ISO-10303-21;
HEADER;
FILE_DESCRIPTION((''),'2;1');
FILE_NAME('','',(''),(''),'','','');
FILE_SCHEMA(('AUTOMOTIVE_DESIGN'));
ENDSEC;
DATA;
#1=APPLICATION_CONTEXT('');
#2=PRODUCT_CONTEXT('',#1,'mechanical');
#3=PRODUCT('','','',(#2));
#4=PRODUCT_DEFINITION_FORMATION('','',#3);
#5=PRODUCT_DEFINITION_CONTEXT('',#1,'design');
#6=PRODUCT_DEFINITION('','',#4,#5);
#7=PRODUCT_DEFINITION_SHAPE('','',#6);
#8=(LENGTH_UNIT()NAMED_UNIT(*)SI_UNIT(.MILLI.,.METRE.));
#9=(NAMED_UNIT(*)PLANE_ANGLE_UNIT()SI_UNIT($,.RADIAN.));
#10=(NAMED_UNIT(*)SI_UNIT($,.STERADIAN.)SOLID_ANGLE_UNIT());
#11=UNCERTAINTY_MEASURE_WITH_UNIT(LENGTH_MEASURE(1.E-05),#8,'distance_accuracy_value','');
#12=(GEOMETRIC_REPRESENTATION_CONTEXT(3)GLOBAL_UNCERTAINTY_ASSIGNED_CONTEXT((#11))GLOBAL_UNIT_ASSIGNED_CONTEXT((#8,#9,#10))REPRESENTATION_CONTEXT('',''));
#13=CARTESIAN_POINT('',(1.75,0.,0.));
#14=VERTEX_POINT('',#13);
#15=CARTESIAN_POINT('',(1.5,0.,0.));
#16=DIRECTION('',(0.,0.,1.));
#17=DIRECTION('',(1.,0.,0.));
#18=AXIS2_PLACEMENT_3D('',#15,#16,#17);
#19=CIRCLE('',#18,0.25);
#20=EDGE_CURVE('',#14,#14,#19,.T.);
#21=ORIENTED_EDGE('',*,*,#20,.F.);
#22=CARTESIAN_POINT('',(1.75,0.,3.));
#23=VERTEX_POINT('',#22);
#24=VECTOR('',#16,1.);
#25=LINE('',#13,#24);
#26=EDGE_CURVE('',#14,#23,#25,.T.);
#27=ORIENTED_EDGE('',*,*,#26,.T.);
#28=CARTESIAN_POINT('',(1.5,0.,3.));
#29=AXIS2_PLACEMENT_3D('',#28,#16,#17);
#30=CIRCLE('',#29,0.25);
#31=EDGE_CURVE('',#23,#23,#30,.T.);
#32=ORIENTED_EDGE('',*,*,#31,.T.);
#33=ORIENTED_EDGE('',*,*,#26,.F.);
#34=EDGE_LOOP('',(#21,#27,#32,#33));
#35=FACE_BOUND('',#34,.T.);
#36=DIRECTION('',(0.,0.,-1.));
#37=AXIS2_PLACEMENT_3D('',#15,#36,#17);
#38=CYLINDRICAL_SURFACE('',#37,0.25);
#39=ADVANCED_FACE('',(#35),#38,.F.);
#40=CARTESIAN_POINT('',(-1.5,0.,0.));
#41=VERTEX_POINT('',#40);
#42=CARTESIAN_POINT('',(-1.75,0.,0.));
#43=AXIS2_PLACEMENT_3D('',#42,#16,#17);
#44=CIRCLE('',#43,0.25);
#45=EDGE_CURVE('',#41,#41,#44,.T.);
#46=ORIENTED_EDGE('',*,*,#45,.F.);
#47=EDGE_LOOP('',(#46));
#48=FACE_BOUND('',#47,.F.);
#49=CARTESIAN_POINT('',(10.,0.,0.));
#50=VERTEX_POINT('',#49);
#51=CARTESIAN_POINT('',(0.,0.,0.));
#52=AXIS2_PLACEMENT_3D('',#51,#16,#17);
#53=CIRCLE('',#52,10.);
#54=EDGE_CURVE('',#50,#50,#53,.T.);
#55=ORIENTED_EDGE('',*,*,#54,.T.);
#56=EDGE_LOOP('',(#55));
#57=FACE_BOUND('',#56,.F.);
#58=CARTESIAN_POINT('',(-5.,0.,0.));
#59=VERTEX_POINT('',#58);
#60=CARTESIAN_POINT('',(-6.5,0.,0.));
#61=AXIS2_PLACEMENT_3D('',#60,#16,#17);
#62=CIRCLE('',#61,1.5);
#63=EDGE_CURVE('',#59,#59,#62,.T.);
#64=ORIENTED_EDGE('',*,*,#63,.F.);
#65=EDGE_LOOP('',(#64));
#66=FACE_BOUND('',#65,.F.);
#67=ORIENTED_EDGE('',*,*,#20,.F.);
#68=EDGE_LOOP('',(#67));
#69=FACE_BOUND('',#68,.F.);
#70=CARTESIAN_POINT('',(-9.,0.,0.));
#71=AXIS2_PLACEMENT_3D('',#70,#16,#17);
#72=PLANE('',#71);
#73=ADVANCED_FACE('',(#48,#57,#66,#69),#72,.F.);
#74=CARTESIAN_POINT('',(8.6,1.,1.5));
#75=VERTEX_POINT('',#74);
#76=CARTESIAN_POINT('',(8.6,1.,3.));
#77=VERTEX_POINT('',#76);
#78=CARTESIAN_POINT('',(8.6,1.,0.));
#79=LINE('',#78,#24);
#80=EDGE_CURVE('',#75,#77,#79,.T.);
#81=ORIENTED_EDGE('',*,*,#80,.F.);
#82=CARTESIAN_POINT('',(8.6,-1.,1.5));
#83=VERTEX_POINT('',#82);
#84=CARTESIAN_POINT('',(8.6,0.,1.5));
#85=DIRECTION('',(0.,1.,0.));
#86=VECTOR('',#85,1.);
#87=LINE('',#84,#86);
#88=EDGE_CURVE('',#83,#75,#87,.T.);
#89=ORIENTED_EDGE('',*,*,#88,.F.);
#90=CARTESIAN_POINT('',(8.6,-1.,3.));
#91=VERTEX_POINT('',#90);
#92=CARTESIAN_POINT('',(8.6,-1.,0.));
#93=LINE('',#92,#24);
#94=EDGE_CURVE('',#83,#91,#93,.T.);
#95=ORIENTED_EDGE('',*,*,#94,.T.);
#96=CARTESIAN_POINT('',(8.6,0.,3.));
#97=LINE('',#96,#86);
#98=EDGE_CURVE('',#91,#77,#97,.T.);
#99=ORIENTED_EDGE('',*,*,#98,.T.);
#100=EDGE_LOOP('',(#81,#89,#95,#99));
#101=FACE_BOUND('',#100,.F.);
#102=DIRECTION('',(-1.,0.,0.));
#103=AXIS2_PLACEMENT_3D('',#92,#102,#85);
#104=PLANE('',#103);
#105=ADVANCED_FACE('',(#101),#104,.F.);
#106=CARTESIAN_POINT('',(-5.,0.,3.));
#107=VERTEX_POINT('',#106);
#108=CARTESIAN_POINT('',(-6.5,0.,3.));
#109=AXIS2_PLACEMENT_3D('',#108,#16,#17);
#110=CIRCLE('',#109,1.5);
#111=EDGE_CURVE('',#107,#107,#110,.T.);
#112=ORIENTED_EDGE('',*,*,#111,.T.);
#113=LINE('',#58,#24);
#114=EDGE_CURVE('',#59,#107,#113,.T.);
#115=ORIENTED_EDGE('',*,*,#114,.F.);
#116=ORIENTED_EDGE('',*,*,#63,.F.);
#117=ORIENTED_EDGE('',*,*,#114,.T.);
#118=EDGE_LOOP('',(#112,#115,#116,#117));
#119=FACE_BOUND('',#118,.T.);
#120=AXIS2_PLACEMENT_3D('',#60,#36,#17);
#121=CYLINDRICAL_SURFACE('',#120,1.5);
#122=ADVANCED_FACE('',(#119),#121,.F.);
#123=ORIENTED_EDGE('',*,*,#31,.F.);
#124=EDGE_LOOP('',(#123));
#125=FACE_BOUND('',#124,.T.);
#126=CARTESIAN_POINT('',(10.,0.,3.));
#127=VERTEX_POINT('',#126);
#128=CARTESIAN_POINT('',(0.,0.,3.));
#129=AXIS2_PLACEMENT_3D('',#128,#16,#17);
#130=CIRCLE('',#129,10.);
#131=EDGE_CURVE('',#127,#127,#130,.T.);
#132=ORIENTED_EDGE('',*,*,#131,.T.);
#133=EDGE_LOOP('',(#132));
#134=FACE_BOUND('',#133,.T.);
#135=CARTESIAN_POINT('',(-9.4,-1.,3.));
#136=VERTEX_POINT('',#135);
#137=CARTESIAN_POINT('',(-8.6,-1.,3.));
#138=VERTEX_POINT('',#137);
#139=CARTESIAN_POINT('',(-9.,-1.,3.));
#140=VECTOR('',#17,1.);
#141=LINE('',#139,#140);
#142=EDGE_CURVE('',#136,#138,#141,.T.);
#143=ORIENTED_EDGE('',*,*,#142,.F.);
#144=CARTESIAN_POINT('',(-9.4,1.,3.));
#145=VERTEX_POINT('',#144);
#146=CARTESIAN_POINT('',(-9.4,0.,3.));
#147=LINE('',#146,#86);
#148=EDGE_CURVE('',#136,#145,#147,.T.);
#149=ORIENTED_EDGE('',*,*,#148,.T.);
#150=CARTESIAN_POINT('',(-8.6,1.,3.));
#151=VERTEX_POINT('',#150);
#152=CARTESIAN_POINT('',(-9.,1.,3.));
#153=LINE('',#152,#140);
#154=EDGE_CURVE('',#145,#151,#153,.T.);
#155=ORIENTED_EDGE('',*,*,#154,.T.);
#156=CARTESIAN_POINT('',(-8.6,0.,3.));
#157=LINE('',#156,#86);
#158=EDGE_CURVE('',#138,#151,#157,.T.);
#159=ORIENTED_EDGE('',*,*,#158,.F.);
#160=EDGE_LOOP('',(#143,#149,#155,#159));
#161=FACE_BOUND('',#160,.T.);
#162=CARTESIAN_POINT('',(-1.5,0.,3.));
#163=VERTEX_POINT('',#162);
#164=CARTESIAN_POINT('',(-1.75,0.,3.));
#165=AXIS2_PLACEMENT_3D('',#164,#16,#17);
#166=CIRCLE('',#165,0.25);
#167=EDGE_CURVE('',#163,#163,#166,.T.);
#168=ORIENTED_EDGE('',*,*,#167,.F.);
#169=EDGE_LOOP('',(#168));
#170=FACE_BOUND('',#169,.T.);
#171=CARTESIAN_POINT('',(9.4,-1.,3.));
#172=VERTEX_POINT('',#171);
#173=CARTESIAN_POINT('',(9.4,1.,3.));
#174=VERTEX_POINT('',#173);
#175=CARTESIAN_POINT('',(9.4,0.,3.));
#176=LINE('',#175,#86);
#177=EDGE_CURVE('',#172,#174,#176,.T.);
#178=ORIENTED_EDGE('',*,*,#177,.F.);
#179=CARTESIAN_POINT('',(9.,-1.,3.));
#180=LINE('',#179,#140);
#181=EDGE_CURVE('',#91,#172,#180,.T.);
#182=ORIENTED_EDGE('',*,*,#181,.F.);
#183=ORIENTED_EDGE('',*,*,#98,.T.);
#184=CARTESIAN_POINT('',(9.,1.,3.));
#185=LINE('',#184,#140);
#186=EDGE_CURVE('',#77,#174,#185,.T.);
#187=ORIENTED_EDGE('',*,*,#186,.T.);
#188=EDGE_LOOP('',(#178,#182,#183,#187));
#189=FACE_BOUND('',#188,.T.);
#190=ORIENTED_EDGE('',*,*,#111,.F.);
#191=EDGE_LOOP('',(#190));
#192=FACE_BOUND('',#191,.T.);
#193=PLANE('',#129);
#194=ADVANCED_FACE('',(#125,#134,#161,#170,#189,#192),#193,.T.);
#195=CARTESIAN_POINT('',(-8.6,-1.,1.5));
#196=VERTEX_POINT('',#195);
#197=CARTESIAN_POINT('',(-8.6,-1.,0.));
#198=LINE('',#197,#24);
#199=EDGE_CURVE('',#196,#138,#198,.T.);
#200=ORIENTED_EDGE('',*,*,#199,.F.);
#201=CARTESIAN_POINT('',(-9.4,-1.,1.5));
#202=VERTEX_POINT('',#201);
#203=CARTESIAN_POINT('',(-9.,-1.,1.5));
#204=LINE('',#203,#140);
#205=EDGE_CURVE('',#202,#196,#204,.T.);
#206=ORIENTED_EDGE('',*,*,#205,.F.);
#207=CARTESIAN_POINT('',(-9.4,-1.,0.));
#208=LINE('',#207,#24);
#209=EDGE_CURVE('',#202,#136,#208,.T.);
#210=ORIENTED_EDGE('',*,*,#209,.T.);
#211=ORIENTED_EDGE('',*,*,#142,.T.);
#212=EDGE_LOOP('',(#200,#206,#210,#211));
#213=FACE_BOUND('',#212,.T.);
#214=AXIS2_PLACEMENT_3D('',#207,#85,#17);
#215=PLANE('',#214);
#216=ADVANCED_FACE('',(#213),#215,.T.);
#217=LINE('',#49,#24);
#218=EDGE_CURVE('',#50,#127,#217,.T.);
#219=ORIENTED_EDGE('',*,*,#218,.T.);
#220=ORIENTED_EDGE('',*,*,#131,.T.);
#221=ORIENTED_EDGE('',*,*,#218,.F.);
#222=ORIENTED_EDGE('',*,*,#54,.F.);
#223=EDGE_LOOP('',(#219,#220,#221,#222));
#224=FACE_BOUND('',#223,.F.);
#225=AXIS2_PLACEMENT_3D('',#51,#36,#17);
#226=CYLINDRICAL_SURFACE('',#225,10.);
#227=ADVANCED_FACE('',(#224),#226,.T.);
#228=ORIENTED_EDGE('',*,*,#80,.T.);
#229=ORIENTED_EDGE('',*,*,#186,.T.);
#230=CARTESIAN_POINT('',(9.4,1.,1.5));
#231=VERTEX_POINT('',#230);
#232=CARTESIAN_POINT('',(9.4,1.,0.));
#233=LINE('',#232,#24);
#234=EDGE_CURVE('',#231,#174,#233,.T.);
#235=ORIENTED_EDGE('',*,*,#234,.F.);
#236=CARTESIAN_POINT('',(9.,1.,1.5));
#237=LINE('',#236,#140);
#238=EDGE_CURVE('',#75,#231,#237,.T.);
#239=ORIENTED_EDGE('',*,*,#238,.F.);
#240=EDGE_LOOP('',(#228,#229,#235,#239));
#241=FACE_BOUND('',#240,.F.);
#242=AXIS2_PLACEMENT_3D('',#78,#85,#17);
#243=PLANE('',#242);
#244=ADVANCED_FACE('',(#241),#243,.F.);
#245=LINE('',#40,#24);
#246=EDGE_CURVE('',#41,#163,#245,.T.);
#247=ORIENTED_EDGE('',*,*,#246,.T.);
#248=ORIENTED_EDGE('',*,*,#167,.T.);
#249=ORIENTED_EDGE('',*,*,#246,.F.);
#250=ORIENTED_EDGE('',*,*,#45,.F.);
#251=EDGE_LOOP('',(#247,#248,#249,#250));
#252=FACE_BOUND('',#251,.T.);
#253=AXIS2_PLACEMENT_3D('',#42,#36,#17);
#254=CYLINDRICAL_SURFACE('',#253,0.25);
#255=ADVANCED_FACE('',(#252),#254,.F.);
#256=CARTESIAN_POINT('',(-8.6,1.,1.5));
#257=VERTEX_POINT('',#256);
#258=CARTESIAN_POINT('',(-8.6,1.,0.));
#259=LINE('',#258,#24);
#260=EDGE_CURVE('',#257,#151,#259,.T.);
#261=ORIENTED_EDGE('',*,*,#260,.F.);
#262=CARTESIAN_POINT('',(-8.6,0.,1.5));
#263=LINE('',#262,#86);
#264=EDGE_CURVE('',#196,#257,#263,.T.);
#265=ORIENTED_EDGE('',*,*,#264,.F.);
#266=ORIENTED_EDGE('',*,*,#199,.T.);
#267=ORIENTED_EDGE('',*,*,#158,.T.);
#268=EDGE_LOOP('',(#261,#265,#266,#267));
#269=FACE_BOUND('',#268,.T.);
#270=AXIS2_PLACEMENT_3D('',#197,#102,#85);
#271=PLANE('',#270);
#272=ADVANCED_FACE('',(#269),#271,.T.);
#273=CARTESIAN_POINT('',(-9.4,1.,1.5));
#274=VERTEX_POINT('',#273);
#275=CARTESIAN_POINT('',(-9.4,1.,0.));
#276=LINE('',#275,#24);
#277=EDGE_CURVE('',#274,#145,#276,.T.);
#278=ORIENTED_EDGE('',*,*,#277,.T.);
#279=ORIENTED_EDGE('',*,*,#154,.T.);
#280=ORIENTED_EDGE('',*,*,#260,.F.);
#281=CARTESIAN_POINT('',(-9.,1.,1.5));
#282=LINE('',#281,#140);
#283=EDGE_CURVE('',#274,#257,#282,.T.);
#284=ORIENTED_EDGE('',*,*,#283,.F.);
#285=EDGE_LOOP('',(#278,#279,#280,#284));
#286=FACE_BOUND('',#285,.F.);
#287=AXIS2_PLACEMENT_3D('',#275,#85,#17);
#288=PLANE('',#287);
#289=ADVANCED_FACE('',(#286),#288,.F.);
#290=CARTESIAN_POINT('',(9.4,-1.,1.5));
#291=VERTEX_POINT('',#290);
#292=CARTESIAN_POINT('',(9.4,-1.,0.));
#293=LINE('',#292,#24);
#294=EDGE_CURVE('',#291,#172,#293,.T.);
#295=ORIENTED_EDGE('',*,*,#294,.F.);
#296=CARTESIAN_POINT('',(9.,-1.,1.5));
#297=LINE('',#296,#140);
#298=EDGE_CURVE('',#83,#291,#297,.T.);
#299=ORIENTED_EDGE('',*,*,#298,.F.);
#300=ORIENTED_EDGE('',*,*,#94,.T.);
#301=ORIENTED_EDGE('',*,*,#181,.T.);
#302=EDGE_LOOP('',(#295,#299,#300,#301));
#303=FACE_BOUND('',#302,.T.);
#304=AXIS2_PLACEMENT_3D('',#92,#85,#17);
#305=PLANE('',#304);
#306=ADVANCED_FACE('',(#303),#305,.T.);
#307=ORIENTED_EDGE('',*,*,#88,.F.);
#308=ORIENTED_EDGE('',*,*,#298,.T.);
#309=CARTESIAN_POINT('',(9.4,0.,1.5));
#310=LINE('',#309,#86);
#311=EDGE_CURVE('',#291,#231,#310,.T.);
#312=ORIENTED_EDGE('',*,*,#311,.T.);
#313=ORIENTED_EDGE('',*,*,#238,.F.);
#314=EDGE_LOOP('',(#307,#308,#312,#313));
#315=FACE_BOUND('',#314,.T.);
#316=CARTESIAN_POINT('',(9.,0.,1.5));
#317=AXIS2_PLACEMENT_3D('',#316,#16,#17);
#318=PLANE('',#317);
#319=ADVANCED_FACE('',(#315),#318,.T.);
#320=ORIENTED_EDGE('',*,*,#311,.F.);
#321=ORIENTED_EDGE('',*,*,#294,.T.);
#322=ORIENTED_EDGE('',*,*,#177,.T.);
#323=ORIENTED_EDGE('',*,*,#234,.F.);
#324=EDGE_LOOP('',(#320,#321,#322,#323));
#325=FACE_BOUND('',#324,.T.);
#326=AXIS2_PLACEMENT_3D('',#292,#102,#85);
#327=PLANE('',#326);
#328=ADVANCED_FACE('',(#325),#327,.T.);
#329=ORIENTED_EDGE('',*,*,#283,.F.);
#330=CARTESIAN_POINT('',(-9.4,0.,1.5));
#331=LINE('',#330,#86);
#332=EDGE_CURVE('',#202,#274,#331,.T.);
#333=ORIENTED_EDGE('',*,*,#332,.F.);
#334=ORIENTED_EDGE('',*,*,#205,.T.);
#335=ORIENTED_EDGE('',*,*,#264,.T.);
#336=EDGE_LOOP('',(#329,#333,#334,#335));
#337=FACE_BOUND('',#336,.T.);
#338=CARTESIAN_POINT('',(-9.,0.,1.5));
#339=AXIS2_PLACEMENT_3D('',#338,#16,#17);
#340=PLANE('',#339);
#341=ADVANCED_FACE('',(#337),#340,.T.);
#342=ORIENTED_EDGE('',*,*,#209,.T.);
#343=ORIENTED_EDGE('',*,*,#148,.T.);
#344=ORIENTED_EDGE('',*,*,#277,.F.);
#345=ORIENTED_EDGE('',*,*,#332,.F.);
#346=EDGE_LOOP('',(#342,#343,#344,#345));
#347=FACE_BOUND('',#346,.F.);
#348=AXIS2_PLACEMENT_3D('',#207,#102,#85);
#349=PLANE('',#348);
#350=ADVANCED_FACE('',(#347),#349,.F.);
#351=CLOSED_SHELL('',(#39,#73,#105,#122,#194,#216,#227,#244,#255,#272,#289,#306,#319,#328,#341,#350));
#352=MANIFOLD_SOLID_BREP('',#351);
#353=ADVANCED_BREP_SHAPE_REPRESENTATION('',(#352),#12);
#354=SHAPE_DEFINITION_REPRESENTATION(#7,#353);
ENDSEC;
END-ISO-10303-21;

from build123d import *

# Parameters (mm, degrees)
F0_R     = 10
F0_W     = 0.8
F0_H     = 2
F0_R_2   = 1.5
F0_R_3   = 0.25
F1_DEPTH = 3
F2_DEPTH = 1.5


with BuildPart() as f1:
    # F0 (on Top) → F1 (new body)
    with BuildSketch(Plane.XY):
        Circle(F0_R)
        with Locations((-9, 0)):
            Rectangle(F0_W, F0_H, mode=Mode.SUBTRACT)
        with Locations((-6.5, 0)):
            Circle(F0_R_2, mode=Mode.SUBTRACT)
        with Locations((-1.75, 0)):
            Circle(F0_R_3, mode=Mode.SUBTRACT)
        with Locations((1.5, 0)):
            Circle(F0_R_3, mode=Mode.SUBTRACT)
        with Locations((9, 0)):
            Rectangle(F0_W, F0_H, mode=Mode.SUBTRACT)
    extrude(amount=F1_DEPTH)

    # F0 (on Top) → F2 (join)
    with BuildSketch(Plane.XY):
        with Locations((-9, 0)):
            Rectangle(F0_W, F0_H)
        with Locations((9, 0)):
            Rectangle(F0_W, F0_H)
    extrude(amount=F2_DEPTH)


solid = f1.part
